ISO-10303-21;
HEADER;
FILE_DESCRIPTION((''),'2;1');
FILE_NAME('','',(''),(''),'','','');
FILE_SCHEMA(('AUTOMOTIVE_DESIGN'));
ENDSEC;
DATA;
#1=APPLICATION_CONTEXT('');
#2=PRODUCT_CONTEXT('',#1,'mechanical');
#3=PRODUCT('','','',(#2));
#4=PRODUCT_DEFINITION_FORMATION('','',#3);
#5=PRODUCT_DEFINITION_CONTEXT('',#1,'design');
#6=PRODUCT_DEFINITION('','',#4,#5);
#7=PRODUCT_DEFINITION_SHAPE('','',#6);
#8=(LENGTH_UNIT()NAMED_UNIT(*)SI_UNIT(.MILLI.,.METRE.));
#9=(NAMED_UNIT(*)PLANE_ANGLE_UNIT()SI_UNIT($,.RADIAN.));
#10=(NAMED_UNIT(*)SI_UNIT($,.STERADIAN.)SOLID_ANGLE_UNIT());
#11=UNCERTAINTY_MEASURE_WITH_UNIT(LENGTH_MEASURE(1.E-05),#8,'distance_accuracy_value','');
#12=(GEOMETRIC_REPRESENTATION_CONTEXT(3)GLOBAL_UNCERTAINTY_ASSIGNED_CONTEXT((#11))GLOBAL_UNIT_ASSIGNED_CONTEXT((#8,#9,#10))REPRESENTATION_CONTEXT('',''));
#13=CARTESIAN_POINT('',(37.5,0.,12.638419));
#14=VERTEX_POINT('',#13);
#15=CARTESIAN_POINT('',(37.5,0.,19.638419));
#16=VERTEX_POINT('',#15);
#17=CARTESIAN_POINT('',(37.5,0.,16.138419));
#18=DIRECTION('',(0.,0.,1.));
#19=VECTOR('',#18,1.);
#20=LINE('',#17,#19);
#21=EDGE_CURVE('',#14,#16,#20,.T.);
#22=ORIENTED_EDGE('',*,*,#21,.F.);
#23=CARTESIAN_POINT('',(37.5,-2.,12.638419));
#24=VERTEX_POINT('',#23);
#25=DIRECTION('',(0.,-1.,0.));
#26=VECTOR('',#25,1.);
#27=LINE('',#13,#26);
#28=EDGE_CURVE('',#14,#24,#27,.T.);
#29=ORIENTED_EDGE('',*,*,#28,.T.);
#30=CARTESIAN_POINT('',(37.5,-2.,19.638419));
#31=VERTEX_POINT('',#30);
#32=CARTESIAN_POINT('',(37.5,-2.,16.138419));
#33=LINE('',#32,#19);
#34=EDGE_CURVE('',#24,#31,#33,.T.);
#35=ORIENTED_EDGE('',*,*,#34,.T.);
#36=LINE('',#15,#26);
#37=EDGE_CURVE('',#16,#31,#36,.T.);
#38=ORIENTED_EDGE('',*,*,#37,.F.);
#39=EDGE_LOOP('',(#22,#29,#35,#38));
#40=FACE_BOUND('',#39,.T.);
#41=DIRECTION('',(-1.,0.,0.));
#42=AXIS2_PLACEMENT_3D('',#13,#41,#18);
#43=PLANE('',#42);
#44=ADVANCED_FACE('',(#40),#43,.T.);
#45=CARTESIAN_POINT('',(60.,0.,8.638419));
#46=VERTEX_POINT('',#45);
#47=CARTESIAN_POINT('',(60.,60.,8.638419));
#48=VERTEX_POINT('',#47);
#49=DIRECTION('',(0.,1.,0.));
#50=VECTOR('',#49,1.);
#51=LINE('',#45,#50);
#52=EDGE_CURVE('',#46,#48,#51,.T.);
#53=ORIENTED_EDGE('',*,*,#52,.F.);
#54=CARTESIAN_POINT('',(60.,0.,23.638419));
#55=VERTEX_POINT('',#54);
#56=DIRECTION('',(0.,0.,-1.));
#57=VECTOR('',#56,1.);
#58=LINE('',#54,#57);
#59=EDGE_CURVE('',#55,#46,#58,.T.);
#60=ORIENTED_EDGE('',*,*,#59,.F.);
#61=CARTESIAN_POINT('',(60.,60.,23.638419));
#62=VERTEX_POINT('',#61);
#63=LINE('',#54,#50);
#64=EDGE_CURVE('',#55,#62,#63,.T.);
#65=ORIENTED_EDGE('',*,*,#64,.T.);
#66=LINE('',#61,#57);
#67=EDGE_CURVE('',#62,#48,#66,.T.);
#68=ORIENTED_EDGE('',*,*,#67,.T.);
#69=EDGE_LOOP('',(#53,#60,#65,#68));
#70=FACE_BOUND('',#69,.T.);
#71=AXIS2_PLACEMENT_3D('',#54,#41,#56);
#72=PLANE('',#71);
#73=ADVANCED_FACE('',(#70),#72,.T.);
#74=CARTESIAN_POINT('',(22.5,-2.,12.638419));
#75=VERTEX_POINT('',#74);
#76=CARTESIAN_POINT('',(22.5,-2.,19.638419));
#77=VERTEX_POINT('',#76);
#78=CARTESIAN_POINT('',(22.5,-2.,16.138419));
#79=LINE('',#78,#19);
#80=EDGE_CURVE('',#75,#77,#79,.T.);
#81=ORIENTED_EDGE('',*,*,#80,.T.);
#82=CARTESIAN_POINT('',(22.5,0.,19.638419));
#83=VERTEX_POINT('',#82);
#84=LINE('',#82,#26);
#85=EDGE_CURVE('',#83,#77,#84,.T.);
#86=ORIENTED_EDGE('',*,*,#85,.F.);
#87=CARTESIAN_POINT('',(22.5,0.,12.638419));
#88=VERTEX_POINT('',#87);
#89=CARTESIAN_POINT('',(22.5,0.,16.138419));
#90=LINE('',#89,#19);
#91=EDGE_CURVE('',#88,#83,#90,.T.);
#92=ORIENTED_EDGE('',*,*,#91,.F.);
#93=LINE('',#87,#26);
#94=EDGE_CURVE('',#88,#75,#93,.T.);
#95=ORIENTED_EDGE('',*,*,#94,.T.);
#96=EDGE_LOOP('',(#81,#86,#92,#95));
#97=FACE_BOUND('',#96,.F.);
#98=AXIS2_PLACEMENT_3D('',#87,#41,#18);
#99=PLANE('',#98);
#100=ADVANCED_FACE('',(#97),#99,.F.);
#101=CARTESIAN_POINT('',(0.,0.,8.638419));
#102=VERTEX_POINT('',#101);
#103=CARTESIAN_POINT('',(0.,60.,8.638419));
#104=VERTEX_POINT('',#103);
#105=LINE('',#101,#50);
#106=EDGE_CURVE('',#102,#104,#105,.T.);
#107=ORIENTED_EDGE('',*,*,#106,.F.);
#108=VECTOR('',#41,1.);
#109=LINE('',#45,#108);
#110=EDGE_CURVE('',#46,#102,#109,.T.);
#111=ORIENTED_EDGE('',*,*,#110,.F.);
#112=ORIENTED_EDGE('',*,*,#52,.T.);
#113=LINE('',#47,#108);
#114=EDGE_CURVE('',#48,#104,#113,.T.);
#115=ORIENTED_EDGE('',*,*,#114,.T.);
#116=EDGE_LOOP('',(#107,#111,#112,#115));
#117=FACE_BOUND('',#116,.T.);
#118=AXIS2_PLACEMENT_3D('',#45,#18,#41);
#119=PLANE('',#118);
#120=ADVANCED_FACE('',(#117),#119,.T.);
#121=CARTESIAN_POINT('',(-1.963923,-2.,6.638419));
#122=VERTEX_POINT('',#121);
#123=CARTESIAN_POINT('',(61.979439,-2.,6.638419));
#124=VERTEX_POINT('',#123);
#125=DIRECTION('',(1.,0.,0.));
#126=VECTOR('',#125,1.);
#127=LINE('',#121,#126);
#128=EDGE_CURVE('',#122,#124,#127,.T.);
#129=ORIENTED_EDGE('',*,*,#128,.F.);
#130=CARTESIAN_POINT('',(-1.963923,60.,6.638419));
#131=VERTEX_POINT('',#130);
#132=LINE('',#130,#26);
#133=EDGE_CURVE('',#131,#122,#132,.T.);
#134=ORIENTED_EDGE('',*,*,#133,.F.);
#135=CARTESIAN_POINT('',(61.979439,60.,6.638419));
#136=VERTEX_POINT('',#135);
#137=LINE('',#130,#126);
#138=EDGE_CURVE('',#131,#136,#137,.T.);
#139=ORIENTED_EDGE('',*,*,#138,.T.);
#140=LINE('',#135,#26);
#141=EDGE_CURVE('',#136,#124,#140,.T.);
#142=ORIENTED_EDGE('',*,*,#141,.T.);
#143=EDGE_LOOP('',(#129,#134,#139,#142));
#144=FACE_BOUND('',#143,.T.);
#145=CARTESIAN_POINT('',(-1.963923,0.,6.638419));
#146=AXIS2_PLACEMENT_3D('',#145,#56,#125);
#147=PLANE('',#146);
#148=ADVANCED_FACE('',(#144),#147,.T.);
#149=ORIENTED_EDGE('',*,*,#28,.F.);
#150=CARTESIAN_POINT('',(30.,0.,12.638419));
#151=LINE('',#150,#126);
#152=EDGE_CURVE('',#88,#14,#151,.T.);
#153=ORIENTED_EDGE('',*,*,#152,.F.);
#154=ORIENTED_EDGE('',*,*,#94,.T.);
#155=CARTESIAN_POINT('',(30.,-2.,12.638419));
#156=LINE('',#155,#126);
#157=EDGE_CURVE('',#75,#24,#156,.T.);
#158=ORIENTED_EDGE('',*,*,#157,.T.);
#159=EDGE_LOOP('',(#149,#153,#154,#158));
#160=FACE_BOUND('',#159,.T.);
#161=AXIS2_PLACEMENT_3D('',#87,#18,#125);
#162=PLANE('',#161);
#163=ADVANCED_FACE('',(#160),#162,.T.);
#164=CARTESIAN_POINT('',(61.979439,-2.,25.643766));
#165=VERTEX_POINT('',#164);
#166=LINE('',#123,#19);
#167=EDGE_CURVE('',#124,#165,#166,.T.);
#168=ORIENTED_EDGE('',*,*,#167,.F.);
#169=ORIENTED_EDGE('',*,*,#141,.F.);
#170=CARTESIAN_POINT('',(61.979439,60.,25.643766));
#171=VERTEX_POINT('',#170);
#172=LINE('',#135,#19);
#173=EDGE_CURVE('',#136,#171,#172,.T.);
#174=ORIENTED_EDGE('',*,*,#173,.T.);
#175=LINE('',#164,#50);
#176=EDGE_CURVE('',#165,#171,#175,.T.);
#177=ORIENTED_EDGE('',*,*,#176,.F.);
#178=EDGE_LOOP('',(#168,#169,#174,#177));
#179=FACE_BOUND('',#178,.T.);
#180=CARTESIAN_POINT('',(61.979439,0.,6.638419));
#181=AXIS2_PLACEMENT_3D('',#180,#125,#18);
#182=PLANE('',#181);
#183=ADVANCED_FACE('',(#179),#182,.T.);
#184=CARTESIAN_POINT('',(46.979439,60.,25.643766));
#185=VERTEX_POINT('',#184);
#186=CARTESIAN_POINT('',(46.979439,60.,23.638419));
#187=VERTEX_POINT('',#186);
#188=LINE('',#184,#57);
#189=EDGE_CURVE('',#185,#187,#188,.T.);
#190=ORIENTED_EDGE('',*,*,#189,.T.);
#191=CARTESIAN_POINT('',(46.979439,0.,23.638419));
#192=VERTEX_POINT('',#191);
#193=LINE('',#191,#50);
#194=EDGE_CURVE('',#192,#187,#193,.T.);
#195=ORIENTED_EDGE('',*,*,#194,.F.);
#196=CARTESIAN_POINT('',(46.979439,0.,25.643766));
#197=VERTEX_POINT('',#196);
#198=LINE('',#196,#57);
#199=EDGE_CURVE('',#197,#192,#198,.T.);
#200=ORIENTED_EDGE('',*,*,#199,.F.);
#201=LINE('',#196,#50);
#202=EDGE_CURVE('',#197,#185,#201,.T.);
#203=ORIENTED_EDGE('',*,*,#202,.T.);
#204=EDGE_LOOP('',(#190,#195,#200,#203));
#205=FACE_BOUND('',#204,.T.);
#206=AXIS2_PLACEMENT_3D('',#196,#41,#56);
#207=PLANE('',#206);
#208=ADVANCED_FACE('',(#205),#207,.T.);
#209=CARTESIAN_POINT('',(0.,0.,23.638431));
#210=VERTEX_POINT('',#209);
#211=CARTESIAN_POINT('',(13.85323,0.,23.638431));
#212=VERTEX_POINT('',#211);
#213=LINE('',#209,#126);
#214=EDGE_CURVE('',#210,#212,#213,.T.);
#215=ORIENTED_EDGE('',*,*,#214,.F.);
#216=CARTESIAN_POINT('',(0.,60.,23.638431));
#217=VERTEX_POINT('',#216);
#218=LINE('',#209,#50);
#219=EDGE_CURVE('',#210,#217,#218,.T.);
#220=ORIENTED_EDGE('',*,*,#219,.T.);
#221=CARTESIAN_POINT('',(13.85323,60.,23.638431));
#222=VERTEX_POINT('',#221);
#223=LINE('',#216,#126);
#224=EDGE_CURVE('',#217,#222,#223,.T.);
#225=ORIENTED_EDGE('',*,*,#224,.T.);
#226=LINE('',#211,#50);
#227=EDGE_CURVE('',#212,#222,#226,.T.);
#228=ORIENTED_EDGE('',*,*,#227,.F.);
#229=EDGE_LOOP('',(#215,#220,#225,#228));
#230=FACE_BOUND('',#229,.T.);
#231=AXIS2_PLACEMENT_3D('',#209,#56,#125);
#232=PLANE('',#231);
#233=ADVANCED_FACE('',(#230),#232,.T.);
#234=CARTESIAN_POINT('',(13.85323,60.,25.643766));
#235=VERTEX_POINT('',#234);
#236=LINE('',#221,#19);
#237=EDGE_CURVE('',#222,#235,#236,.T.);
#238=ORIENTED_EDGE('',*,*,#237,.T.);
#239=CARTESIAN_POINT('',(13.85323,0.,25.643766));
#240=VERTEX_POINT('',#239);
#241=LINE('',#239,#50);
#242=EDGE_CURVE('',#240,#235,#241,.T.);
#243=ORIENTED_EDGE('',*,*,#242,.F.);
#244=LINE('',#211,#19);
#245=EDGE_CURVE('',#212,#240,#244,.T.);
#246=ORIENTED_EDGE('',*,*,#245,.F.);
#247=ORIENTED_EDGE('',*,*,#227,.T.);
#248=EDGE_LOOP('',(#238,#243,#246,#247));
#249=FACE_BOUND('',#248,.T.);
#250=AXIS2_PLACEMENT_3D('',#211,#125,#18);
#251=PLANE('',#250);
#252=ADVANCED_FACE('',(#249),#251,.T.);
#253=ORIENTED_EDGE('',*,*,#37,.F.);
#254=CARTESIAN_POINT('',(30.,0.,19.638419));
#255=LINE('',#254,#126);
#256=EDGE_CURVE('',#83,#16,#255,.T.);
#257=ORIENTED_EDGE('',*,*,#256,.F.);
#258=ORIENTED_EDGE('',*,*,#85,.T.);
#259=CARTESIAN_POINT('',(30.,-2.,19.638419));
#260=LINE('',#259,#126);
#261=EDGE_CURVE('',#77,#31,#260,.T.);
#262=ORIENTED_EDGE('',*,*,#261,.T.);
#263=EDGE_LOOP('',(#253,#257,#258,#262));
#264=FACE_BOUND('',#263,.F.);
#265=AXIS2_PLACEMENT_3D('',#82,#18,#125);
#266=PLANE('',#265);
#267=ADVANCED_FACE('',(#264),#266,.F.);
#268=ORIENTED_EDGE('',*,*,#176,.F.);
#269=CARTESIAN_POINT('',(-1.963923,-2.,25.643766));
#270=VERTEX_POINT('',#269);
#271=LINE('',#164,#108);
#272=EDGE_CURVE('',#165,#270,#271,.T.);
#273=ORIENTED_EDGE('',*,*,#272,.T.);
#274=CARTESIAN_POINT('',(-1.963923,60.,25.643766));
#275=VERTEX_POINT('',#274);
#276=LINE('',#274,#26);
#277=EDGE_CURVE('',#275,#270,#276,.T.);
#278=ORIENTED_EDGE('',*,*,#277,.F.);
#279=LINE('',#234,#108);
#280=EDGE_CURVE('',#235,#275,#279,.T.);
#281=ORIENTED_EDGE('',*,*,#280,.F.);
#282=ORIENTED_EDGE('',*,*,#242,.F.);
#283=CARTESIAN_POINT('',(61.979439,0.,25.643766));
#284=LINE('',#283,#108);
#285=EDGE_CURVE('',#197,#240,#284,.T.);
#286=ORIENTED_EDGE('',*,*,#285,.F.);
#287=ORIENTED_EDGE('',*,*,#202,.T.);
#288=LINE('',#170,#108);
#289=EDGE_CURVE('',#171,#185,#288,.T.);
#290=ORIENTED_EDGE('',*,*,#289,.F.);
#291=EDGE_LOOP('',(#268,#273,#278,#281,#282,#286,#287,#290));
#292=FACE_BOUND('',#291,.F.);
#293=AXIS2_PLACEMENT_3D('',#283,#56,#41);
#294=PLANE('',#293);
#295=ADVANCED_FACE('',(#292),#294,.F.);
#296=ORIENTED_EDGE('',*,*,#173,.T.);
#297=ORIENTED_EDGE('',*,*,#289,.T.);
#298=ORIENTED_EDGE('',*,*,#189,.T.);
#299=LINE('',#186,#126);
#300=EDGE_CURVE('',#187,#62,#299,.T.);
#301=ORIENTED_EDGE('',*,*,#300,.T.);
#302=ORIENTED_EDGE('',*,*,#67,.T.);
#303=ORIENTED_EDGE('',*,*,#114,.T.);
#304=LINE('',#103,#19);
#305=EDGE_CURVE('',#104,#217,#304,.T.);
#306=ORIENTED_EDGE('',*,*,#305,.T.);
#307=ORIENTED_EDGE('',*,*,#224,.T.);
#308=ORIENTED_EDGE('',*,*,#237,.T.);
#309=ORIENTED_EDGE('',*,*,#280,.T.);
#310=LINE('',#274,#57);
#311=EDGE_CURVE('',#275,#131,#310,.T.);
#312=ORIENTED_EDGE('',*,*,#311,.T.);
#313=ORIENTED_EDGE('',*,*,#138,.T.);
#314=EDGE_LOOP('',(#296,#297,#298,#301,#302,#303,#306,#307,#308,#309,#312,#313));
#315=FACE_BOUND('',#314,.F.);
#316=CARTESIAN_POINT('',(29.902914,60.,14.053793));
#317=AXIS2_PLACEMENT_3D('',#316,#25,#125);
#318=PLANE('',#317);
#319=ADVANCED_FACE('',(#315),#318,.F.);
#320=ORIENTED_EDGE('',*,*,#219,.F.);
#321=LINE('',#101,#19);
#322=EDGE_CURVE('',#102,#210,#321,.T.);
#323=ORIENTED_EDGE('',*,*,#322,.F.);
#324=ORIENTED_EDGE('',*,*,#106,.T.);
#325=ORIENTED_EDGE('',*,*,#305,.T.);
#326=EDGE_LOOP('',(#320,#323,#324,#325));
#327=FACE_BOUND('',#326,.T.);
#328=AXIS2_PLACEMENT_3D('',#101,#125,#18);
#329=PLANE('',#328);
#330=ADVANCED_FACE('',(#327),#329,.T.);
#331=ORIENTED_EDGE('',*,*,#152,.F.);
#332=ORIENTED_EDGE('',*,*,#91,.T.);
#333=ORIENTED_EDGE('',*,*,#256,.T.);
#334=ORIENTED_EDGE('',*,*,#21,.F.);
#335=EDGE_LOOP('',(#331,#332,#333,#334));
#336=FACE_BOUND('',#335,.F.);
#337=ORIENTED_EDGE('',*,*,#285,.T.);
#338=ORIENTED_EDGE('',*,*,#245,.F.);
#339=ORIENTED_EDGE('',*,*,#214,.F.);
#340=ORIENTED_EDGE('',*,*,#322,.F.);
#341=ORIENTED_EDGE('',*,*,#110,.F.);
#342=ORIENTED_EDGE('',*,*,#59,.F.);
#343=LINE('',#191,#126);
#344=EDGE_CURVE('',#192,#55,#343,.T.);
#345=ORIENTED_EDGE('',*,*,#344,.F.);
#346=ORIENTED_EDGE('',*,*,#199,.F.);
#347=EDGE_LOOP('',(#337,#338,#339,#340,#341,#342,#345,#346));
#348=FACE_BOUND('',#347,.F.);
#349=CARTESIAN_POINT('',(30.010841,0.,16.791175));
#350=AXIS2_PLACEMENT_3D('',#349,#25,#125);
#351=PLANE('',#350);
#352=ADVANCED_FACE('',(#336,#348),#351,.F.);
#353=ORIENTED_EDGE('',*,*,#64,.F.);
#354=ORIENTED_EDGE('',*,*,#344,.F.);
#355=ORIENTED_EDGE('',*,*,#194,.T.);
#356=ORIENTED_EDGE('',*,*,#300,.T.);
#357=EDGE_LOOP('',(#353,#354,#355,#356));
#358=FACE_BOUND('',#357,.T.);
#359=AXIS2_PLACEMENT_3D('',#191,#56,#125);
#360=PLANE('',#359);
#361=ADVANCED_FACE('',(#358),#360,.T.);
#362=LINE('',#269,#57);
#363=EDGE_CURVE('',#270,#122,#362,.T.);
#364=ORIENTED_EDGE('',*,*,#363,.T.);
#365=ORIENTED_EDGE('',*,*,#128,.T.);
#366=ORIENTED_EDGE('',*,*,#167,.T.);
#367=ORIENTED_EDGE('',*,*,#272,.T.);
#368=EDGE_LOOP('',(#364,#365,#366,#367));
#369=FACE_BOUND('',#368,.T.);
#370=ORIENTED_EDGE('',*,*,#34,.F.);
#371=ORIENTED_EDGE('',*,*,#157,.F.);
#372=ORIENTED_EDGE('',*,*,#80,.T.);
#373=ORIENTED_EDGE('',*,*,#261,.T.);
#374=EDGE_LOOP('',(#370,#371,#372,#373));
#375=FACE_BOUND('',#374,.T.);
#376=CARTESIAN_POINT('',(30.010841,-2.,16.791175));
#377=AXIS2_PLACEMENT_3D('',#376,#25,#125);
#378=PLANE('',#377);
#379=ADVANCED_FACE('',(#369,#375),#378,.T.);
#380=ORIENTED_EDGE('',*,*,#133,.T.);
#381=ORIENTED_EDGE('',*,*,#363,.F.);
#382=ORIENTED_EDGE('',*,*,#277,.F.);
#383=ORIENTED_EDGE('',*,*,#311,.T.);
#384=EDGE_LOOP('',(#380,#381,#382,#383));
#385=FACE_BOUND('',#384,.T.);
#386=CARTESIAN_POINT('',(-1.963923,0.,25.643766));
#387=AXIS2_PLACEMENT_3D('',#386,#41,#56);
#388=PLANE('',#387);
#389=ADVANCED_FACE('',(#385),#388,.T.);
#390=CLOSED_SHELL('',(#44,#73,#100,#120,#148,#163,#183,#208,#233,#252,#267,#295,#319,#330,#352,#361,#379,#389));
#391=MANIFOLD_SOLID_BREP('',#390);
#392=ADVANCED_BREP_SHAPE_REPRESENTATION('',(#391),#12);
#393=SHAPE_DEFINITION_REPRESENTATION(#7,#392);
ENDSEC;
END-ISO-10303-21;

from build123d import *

# Parameters (mm, degrees)
F0_W     = 15
F0_H     = 7
F1_DEPTH = 2
F2_DEPTH = 60


with BuildPart() as f1:
    # F0 (on Front) → F1 (new body)
    with BuildSketch(Plane.XZ):
        Polygon((0, 23.638431), (0, 8.638419), (60, 8.638419), (60, 23.638419), (46.979439, 23.638419), (46.979439, 25.643766), (13.85323, 25.643766), (13.85323, 23.638431), align=None)
        with Locations((30, 16.138419)):
            Rectangle(F0_W, F0_H, mode=Mode.SUBTRACT)
        Polygon((60, 8.638419), (0, 8.638419), (0, 23.638431), (13.85323, 23.638431), (13.85323, 25.643766), (-1.963923, 25.643766), (-1.963923, 6.638419), (61.979439, 6.638419), (61.979439, 25.643766), (46.979439, 25.643766), (46.979439, 23.638419), (60, 23.638419), align=None)
    extrude(amount=F1_DEPTH)

    # F0 (on Front) → F2 (join)
    with BuildSketch(Plane.XZ):
        Polygon((60, 8.638419), (0, 8.638419), (0, 23.638431), (13.85323, 23.638431), (13.85323, 25.643766), (-1.963923, 25.643766), (-1.963923, 6.638419), (61.979439, 6.638419), (61.979439, 25.643766), (46.979439, 25.643766), (46.979439, 23.638419), (60, 23.638419), align=None)
    extrude(amount=-F2_DEPTH)


solid = f1.part
